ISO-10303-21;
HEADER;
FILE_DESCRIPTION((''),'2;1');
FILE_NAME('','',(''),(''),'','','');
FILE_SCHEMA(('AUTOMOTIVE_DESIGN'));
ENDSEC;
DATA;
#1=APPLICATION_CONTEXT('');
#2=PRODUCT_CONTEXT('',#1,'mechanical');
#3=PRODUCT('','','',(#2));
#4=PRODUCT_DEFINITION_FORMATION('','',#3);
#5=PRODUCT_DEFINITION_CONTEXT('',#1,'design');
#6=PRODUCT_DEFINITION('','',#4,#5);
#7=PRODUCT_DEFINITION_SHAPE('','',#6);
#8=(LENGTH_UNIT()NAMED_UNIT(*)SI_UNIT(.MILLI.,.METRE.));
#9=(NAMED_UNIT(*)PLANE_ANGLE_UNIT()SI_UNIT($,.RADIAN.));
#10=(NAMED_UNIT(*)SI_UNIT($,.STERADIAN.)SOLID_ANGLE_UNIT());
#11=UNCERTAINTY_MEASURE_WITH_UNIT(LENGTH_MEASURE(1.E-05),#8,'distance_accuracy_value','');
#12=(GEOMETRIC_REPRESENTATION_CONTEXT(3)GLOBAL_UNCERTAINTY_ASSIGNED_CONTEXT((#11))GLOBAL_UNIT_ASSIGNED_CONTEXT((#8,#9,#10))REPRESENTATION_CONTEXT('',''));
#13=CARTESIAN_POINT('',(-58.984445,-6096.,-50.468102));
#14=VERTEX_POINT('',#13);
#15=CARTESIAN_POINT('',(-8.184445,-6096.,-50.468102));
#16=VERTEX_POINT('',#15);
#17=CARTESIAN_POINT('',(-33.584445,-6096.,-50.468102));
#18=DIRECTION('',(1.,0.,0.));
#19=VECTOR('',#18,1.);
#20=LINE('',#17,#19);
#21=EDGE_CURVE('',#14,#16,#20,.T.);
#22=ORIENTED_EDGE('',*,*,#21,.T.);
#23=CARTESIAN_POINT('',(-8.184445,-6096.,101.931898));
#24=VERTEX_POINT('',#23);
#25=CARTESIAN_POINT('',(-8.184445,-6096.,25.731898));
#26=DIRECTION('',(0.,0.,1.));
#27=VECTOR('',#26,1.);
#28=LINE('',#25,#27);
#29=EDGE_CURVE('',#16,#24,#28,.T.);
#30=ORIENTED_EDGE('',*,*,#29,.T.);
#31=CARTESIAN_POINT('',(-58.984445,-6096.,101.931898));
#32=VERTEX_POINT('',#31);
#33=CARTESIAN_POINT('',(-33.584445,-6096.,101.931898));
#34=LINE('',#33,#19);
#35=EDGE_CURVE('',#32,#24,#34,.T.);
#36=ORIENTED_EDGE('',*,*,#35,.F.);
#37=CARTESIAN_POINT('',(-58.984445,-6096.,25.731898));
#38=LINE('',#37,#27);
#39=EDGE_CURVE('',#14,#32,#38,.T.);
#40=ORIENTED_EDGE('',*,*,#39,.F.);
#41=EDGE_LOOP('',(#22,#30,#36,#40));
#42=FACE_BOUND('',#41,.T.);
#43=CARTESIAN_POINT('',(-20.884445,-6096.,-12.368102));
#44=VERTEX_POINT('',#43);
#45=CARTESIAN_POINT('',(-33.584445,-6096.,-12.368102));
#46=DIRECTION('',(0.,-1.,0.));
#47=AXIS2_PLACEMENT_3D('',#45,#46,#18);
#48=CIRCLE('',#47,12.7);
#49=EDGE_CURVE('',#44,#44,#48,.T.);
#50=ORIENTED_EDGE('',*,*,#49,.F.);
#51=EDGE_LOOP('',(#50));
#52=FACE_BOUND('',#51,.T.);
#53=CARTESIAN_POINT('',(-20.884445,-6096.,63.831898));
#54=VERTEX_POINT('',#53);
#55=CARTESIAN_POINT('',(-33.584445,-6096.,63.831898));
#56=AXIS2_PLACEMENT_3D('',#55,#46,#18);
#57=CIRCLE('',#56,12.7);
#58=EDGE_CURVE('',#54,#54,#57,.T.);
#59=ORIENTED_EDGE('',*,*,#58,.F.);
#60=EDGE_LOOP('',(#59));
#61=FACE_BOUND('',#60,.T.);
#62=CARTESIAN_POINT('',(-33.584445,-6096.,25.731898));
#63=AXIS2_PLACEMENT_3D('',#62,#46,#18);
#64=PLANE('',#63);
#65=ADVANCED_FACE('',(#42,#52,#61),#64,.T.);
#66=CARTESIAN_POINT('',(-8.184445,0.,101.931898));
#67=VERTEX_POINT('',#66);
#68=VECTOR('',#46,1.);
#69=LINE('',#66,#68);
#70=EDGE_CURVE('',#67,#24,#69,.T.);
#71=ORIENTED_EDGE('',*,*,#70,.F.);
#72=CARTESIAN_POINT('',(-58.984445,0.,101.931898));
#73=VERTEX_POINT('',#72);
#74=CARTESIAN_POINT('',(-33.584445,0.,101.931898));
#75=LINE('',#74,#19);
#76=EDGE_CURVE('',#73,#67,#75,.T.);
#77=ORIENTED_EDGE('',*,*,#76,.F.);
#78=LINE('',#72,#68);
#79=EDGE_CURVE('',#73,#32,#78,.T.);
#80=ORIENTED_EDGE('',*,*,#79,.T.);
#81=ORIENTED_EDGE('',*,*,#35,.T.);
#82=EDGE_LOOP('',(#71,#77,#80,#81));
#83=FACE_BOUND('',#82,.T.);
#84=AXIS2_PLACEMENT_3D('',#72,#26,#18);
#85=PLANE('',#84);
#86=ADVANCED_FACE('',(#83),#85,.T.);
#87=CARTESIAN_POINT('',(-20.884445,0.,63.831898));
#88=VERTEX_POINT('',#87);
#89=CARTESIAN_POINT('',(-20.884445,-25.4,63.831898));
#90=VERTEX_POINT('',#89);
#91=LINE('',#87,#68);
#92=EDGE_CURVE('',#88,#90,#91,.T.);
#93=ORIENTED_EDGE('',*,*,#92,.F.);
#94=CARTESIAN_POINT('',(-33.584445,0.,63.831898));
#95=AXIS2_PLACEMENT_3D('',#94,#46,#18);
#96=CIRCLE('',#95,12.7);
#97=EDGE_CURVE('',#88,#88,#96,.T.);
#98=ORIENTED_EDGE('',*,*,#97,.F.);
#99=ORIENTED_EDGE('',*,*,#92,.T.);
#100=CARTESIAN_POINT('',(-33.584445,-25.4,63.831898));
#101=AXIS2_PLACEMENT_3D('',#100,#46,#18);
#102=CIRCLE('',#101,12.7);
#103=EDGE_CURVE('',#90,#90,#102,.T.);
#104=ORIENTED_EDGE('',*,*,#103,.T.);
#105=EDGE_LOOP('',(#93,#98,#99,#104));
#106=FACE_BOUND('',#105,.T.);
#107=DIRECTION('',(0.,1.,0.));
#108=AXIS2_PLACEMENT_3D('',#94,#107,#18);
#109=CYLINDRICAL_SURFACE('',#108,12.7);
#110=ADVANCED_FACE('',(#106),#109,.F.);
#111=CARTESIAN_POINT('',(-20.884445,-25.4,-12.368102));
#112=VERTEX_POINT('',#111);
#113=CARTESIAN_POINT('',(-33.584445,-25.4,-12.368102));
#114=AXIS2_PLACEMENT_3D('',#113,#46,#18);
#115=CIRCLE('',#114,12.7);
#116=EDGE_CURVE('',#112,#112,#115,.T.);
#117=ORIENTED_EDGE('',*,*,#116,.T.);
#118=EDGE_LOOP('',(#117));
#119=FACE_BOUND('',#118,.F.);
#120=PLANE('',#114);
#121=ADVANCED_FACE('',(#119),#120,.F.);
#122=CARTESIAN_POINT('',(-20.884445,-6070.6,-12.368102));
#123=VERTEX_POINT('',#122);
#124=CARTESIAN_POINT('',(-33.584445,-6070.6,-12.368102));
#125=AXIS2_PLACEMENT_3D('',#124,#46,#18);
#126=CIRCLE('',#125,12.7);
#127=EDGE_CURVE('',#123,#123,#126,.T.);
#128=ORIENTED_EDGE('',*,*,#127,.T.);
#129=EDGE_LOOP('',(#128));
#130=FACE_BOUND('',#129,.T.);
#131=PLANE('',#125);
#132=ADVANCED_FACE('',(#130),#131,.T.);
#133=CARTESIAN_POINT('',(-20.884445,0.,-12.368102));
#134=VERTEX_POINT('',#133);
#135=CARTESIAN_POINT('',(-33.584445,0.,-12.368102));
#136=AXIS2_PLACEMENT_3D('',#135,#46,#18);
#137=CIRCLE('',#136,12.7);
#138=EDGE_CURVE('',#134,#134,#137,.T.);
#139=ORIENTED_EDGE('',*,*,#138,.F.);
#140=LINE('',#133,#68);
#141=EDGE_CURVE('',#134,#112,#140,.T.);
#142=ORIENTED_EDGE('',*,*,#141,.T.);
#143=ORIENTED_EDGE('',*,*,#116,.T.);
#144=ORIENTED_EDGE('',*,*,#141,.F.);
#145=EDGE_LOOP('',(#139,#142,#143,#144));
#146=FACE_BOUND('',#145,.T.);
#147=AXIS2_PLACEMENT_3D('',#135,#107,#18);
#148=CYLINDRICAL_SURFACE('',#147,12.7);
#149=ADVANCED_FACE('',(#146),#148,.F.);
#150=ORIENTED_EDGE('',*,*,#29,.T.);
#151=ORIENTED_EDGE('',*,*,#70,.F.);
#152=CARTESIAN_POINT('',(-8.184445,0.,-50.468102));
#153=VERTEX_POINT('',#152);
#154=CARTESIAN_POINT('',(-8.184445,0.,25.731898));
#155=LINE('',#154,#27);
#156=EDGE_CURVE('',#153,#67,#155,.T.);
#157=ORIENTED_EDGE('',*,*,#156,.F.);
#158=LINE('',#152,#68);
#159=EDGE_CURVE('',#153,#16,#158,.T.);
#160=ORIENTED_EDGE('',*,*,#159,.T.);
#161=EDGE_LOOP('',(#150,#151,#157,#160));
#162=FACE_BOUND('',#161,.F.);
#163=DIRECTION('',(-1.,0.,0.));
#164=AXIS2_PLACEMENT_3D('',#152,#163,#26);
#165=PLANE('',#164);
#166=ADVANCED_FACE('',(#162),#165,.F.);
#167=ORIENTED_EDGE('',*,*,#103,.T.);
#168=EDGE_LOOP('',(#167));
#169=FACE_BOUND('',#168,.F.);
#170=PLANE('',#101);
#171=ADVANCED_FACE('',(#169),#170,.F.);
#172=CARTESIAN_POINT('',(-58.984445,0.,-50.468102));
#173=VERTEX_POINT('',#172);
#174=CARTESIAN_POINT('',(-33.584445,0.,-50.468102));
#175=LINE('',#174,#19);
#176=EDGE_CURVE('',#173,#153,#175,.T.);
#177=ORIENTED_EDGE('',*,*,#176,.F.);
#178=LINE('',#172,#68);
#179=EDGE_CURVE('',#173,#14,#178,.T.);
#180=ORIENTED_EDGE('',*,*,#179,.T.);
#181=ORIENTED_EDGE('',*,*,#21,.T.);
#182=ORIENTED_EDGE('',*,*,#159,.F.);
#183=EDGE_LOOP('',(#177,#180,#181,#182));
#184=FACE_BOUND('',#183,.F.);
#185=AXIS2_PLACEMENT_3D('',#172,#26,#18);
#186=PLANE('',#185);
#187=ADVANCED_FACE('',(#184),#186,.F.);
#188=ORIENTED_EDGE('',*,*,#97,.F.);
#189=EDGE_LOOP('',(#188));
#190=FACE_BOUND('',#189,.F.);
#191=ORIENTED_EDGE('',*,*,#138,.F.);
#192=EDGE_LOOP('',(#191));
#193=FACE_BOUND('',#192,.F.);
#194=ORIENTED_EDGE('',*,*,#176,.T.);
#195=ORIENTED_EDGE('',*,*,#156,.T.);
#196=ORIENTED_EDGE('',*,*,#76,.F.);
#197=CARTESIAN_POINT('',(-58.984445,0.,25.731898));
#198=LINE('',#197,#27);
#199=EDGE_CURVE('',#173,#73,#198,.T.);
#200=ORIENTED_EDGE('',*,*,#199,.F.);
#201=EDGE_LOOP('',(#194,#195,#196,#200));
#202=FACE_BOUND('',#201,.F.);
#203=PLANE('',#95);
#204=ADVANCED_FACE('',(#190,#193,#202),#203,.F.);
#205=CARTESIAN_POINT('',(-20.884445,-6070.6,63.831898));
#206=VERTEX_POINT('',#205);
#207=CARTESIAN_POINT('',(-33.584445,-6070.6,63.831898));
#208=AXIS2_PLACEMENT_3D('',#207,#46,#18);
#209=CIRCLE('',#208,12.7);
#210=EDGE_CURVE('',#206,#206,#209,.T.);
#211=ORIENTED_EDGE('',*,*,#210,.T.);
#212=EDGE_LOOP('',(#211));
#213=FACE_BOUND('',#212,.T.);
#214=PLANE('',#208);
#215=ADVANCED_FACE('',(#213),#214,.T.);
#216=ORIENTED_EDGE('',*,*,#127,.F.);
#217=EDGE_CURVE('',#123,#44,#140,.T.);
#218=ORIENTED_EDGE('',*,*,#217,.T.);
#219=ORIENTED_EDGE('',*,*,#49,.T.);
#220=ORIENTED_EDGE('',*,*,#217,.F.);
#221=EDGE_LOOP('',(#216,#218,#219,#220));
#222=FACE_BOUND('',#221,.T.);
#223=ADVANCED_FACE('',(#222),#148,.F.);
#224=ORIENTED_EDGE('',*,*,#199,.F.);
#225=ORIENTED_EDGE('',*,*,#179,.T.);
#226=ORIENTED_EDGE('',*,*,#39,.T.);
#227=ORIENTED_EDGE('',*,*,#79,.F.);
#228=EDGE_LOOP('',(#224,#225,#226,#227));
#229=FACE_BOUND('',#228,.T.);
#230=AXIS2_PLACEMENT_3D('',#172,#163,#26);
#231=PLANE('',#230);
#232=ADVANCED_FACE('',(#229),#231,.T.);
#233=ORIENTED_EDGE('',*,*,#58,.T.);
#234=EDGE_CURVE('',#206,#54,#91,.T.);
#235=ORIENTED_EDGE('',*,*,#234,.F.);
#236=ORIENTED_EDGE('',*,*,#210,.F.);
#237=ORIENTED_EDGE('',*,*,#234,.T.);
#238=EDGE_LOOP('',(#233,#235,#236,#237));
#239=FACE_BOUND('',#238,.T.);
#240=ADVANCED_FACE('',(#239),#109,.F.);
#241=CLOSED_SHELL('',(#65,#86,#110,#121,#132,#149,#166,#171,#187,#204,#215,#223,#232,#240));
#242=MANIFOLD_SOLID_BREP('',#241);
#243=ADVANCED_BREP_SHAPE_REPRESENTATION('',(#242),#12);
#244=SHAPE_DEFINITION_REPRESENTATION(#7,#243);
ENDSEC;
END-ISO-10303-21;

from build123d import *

# Parameters (mm, degrees)
F0_W     = 50.8
F0_H     = 152.4
F0_R     = 12.7
F1_DEPTH = 6096
F2_DEPTH = 6070.6
F3_DEPTH = 25.4


with BuildPart() as f1:
    # F0 (on Front) → F1 (new body)
    with BuildSketch(Plane.XZ):
        with Locations((-33.584445, 25.731898)):
            Rectangle(F0_W, F0_H)
        with Locations((-33.584445, -12.368102)):
            Circle(F0_R, mode=Mode.SUBTRACT)
        with Locations((-33.584445, 63.831898)):
            Circle(F0_R, mode=Mode.SUBTRACT)
    extrude(amount=F1_DEPTH)

    # F0 (on Front) → F2 (join)
    with BuildSketch(Plane.XZ):
        with Locations((-33.584445, 63.831898)):
            Circle(F0_R)
        with Locations((-33.584445, -12.368102)):
            Circle(F0_R)
    extrude(amount=F2_DEPTH)

    # F0 (on Front) → F3 (cut)
    with BuildSketch(Plane.XZ):
        with Locations((-33.584445, 63.831898)):
            Circle(F0_R)
        with Locations((-33.584445, -12.368102)):
            Circle(F0_R)
    extrude(amount=F3_DEPTH, mode=Mode.SUBTRACT)


solid = f1.part
